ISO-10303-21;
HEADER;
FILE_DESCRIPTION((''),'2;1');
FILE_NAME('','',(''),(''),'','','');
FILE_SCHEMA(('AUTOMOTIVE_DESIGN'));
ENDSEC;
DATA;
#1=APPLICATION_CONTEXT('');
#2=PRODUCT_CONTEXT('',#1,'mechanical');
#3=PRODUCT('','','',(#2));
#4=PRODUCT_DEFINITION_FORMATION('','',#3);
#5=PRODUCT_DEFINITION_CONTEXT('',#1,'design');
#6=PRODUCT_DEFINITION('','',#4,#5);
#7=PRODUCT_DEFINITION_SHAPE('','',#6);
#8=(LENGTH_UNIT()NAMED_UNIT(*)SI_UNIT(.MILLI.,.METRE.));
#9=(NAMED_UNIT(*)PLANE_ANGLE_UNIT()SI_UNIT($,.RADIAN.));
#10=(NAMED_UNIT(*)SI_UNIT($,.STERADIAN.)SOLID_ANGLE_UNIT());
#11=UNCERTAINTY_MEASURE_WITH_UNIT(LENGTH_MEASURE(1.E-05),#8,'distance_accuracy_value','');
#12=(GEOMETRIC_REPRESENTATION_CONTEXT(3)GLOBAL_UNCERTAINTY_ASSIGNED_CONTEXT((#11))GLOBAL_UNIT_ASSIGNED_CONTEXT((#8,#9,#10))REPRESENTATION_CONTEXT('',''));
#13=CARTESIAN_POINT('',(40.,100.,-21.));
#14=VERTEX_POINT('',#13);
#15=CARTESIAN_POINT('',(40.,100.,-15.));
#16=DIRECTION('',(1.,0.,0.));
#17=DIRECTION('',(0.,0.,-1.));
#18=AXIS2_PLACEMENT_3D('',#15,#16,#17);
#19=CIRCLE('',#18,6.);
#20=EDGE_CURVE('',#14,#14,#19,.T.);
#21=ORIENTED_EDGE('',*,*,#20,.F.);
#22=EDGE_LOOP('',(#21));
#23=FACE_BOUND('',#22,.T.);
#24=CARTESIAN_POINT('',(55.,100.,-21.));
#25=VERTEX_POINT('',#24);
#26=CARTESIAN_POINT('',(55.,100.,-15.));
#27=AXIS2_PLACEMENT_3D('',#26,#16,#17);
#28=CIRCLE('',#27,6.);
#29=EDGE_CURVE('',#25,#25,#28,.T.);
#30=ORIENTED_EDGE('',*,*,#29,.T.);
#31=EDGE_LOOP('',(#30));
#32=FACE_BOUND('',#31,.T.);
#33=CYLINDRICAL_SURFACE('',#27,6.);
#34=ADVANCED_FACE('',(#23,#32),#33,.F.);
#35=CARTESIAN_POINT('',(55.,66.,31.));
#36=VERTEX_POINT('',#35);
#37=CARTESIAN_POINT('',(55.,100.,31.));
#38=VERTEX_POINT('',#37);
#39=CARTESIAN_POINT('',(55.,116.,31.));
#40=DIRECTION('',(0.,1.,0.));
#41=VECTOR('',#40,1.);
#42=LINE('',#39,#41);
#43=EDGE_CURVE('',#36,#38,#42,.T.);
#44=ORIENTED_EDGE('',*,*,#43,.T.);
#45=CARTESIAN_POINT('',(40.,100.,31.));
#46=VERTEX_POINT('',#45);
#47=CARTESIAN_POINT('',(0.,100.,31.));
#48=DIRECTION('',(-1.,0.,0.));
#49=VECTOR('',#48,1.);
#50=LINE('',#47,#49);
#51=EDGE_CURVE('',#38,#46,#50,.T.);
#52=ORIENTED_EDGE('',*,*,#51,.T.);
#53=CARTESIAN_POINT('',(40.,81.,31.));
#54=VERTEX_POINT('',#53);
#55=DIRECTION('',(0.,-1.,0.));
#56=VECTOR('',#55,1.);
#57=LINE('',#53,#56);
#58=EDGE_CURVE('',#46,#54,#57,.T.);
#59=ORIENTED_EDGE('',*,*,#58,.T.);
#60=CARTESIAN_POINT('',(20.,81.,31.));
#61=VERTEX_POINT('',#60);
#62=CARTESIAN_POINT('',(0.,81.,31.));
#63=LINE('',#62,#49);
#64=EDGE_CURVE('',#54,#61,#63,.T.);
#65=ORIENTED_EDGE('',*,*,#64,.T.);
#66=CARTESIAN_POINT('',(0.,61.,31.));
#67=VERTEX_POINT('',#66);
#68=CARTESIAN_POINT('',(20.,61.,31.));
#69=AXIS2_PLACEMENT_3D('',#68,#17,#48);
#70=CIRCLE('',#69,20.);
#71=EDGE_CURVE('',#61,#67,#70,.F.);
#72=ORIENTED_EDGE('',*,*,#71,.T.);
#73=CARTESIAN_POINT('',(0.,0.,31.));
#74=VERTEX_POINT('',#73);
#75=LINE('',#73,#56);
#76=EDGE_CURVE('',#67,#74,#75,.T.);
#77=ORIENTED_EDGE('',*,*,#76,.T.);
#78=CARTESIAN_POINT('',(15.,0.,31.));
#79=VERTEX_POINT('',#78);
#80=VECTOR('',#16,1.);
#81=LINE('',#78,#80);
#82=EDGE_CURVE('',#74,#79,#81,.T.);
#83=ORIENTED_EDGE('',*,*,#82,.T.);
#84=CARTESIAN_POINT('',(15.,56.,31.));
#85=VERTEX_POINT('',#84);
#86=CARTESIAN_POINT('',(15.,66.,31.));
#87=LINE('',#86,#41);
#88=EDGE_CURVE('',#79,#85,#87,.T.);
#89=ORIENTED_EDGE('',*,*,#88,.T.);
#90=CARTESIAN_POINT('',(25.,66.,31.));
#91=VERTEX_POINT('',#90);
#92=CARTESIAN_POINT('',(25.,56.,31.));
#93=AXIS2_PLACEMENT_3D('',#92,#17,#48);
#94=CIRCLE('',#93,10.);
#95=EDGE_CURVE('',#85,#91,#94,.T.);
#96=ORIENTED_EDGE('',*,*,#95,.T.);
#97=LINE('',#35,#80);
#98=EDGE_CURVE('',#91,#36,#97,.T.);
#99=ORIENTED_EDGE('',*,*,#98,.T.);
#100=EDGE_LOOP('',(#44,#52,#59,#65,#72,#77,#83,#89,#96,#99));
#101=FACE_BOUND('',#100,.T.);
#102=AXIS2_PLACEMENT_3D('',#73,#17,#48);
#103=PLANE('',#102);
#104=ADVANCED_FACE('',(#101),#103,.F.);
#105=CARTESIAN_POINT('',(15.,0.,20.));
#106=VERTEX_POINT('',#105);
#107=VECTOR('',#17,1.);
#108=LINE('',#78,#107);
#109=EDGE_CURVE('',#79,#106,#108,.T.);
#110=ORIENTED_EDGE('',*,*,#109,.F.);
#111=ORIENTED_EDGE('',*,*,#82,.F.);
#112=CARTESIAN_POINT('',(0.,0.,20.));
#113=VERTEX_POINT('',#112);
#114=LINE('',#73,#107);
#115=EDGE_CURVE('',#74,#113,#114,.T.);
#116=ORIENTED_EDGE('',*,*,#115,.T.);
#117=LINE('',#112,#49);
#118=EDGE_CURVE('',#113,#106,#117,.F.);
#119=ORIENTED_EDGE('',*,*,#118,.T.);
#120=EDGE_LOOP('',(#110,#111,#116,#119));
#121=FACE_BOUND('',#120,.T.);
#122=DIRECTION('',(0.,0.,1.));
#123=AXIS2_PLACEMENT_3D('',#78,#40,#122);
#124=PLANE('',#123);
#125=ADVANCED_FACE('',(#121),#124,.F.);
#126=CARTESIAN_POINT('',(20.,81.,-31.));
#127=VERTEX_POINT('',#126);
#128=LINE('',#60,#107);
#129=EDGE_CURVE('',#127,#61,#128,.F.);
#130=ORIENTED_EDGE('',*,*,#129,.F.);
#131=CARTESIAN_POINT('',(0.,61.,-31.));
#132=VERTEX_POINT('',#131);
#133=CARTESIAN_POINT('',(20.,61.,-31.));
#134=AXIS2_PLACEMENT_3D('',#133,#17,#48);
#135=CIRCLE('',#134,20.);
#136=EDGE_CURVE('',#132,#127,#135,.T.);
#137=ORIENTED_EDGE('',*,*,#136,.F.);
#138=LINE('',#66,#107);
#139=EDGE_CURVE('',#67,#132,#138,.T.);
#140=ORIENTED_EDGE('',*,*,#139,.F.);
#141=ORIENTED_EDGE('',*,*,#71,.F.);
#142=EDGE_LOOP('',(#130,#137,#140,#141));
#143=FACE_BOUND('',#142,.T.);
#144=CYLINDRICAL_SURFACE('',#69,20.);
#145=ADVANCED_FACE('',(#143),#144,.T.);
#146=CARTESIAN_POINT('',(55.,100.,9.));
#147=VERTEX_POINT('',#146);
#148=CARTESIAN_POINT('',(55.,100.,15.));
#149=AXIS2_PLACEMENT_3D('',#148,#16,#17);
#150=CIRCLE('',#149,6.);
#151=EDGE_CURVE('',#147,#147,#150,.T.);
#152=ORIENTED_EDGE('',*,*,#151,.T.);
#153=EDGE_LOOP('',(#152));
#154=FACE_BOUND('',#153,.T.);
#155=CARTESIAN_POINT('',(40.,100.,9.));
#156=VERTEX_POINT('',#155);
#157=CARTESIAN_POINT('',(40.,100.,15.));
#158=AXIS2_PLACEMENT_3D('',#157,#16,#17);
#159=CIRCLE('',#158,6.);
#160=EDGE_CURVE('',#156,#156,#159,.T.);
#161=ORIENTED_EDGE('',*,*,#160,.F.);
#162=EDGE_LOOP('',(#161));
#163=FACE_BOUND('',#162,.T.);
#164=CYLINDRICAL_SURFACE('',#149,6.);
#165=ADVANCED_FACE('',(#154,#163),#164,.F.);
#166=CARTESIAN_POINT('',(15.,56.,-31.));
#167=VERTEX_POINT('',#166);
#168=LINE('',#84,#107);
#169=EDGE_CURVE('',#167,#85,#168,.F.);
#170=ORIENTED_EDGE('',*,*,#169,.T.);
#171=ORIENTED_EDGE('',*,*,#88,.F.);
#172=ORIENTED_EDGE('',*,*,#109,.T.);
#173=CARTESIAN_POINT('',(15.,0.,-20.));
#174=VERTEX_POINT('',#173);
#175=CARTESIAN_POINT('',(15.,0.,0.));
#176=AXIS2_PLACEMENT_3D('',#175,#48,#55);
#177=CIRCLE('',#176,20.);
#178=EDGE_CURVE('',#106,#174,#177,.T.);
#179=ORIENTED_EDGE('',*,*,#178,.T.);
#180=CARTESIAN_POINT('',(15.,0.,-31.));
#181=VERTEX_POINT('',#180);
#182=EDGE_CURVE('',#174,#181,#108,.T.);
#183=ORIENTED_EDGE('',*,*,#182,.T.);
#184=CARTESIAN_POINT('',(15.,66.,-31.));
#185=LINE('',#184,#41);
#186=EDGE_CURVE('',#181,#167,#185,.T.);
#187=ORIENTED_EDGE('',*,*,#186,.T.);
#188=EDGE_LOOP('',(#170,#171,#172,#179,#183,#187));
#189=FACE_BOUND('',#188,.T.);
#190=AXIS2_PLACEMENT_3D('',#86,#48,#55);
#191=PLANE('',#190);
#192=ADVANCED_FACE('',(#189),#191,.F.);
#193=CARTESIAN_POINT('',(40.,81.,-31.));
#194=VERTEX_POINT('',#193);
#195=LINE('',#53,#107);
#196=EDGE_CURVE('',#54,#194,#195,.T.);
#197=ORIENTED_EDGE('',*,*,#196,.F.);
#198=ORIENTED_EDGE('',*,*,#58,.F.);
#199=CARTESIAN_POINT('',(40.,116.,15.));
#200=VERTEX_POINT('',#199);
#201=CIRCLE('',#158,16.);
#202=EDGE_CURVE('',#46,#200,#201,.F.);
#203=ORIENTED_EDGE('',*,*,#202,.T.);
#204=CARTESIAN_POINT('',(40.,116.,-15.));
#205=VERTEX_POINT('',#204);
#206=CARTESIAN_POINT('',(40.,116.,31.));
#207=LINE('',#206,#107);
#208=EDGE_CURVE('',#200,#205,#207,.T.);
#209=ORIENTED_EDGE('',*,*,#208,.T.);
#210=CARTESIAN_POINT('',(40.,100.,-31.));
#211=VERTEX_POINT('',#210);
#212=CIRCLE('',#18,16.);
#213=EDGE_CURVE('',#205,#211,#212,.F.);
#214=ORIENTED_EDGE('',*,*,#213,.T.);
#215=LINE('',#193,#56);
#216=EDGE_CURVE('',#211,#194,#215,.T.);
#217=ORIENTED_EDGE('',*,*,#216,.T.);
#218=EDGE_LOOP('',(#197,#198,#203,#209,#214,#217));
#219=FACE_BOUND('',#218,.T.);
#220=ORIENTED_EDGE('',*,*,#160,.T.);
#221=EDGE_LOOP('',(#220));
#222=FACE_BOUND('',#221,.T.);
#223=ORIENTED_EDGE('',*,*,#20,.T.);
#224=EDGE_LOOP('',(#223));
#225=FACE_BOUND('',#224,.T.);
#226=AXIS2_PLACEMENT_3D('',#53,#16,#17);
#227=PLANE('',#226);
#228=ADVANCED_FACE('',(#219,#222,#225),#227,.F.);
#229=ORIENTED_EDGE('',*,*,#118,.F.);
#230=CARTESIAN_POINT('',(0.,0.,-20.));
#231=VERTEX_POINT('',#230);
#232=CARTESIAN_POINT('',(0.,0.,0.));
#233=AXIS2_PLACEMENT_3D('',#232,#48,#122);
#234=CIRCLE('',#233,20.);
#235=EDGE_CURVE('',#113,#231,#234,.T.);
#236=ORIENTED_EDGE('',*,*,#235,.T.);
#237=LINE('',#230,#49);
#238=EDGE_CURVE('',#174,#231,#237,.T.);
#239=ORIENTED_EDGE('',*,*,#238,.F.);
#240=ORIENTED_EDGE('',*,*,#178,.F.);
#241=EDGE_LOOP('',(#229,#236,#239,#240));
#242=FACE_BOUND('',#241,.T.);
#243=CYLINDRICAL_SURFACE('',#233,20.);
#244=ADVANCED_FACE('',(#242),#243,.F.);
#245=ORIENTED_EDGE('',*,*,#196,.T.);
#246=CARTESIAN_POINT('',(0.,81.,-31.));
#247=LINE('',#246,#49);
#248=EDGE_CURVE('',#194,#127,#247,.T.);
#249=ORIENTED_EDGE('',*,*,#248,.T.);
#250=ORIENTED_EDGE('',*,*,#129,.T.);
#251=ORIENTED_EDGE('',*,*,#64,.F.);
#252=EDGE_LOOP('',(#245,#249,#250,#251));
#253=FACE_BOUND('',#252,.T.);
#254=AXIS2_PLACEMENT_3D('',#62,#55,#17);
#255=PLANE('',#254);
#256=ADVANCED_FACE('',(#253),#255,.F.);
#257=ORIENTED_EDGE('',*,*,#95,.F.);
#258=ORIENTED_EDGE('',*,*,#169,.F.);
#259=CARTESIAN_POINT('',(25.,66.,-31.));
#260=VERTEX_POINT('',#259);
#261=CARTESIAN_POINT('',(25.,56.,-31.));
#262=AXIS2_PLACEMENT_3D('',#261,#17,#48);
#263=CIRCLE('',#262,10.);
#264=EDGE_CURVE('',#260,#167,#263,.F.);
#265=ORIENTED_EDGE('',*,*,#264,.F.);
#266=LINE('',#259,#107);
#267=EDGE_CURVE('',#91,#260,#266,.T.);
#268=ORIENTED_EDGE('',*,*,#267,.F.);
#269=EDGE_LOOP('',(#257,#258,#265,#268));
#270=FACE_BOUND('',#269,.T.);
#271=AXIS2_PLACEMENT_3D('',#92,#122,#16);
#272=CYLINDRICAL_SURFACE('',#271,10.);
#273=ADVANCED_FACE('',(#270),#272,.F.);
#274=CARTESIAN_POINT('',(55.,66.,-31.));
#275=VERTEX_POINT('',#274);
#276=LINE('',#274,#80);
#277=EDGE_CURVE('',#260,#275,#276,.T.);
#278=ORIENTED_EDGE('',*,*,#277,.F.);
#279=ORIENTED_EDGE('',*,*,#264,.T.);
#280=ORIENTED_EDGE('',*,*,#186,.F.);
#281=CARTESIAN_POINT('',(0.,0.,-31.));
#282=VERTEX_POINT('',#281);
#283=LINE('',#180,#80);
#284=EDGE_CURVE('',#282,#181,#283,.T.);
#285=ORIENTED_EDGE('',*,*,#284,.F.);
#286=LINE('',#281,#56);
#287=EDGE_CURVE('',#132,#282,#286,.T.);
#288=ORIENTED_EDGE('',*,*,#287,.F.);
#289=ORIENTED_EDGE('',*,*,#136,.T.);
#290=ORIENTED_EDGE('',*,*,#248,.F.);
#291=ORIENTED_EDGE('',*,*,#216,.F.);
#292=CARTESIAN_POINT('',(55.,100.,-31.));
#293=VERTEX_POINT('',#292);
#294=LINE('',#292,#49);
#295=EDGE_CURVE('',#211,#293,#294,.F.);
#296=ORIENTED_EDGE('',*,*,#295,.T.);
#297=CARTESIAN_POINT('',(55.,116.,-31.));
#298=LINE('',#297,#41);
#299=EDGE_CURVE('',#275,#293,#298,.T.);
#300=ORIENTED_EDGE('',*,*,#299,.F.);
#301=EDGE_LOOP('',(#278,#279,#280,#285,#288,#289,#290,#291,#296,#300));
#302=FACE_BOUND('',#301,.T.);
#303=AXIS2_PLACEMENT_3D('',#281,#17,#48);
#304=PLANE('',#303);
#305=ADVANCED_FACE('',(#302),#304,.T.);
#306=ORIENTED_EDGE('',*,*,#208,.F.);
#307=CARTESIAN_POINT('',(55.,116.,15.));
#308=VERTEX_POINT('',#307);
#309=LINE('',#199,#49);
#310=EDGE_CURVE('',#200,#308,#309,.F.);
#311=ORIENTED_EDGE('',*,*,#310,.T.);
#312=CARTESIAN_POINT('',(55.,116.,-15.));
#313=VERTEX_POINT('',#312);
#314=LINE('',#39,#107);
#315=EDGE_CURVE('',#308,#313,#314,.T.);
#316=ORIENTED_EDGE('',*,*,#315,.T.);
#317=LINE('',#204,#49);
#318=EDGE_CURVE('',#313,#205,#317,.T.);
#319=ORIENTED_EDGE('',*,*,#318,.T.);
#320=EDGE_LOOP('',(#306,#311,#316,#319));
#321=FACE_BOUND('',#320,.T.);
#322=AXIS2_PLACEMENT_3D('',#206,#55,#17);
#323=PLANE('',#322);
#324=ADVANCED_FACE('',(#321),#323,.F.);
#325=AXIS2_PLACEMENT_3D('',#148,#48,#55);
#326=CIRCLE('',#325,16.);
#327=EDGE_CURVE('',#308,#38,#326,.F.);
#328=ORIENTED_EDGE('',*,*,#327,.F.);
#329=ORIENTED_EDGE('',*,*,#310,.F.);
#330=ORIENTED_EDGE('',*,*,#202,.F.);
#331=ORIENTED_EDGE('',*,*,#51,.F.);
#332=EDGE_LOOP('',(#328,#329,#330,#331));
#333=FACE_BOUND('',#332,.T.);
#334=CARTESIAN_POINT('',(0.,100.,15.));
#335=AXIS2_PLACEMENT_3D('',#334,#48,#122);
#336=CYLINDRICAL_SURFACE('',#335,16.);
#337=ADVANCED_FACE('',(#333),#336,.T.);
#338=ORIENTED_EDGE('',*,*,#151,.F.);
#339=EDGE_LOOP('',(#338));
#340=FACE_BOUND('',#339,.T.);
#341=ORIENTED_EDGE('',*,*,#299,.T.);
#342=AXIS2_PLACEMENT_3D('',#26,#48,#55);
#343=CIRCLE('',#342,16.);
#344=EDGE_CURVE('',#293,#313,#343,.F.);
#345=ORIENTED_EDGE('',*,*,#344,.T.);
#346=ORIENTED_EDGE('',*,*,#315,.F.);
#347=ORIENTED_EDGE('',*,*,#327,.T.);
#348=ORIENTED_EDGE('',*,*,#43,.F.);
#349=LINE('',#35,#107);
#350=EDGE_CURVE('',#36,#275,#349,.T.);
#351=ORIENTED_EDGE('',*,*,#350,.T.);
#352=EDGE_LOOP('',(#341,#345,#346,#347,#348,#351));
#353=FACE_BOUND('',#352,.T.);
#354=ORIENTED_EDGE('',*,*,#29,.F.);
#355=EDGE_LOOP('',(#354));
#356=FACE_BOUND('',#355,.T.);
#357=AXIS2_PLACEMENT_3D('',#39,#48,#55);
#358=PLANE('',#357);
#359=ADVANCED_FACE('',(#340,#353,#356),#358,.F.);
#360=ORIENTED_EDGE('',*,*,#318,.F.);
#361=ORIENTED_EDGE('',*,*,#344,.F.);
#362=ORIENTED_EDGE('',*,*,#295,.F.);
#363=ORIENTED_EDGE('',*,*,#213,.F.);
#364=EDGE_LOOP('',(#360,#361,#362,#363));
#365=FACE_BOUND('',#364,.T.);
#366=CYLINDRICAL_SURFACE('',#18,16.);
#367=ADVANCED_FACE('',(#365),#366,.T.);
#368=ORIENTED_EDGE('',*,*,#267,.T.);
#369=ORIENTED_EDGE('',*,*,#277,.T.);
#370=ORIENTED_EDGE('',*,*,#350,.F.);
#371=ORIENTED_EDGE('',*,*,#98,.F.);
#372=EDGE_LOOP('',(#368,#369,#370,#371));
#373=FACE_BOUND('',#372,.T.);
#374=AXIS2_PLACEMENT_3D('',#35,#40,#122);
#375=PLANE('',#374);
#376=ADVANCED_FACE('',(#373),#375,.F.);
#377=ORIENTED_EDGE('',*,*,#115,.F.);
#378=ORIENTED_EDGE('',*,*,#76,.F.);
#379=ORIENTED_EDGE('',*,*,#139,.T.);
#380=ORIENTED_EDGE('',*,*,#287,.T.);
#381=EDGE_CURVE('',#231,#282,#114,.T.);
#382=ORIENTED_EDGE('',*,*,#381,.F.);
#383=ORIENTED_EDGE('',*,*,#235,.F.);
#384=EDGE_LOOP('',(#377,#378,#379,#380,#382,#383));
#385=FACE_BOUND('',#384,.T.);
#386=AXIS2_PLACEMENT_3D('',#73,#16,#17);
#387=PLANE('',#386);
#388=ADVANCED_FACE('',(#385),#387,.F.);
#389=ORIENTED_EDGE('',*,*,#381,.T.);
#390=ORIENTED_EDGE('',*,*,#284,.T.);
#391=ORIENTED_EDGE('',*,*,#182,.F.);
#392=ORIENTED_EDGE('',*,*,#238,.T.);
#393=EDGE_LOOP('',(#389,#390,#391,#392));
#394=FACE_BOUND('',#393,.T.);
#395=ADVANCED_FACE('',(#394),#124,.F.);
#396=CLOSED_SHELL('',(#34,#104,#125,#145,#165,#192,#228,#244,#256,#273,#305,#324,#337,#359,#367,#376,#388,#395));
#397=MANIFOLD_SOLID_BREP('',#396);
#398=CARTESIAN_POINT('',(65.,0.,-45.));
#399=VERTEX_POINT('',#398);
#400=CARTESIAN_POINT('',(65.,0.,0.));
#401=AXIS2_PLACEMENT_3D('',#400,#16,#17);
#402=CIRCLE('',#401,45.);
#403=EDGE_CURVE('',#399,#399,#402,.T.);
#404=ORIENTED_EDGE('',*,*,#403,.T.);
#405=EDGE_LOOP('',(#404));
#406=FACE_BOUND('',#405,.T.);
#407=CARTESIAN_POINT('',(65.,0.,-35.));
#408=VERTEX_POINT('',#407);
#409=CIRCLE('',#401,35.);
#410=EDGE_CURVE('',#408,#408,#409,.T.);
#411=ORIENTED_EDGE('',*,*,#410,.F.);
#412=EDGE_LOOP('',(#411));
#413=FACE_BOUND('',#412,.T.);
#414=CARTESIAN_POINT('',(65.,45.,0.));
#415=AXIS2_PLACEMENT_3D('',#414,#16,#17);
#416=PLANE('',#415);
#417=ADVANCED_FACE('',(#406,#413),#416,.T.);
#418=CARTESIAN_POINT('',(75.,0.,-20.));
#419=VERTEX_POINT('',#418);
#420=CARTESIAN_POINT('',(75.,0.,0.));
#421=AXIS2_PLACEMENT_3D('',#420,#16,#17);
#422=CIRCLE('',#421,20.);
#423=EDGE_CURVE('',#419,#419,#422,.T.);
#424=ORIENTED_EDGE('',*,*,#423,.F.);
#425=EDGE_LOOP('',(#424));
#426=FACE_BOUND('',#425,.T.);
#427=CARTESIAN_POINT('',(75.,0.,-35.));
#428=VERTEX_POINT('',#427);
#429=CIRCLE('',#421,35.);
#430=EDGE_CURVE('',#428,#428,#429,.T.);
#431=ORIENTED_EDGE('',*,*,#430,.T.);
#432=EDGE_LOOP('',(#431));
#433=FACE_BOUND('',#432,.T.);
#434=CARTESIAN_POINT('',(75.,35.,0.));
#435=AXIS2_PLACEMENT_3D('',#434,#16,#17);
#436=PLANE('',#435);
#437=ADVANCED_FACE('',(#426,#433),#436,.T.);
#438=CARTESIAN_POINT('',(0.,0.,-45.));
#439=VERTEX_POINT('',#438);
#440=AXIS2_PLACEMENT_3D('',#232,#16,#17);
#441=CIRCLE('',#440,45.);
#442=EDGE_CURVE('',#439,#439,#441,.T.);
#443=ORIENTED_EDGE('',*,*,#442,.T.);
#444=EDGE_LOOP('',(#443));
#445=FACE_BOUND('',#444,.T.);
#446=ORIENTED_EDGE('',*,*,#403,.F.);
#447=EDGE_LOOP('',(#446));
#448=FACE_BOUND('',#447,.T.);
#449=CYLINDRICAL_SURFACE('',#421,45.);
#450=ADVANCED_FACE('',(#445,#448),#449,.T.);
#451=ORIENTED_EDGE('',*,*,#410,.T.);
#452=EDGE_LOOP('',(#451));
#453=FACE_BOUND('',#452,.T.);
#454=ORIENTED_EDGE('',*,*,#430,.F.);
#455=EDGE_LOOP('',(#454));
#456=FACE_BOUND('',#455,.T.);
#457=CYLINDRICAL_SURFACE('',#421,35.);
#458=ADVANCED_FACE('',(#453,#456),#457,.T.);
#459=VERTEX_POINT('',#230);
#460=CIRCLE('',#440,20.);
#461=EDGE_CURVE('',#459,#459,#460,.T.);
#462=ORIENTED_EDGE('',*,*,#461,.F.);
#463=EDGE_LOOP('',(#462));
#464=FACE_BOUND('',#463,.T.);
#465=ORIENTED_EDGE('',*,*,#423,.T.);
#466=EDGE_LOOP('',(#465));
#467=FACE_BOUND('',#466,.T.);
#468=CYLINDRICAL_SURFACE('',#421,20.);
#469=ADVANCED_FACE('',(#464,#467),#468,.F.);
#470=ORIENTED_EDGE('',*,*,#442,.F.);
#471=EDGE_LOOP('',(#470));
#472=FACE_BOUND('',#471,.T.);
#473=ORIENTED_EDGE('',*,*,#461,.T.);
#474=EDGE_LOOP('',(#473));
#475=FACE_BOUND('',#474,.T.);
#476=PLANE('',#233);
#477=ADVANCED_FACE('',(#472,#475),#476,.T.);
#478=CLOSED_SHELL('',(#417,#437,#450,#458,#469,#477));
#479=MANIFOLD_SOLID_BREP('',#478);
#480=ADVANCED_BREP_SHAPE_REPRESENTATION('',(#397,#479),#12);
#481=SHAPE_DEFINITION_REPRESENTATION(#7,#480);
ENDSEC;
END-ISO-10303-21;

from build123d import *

# Parameters (mm, degrees)
BOSS_EXTRUDE1_DEPTH = 31
SKETCH7_W           = 20
SKETCH7_H           = 75
SKETCH9_W           = 20
SKETCH9_H           = 75
FILLET1_R           = 10
FILLET2_R           = 20
FILLET3_R           = 16
SKETCH11_W          = 6
SKETCH11_H          = 55
HOLE4_AT_2_COUNT    = 2
HOLE4_AT_2_PITCH    = 30


with BuildPart() as part:
    # Sketch1 → Revolve1 (revolve)
    with BuildSketch(Plane.XY, mode=Mode.PRIVATE) as revolve1_sk:
        Polygon((0, 0), (0, 45), (65, 45), (65, 35), (75, 35), (75, 0), align=None)
    revolve(revolve1_sk.sketch.rotate(Axis((75, 0, 0), (-1, 0, 0)), 90), axis=Axis((75, 0, 0), (-1, 0, 0)))

    # Sketch9 → Hole3 (revolve, cut)
    with BuildSketch(Plane(origin=(75, 0, 0), x_dir=(0, 0, -1), z_dir=(0, 1, 0))):
        with Locations((10, 37.5)):
            Rectangle(SKETCH9_W, SKETCH9_H)
    revolve(axis=Axis((-35, 0, 0), (1, 0, 0)), mode=Mode.SUBTRACT)


with BuildPart() as body_2:
    # Sketch4 → Boss-Extrude1 (new, symmetric)
    with BuildSketch(Plane.XY):
        Polygon((0, 0), (0, 81), (40, 81), (40, 116), (55, 116), (55, 66), (15, 66), (15, 0), align=None)
    extrude(amount=BOSS_EXTRUDE1_DEPTH, both=True)

    # Sketch7 → Hole2 (revolve, cut)
    with BuildSketch(Plane.ZX):
        with Locations((10, 37.5)):
            Rectangle(SKETCH7_W, SKETCH7_H)
    revolve(axis=Axis((110, 0, 0), (-1, 0, 0)), mode=Mode.SUBTRACT)

    # Fillet1
    fillet1_edges = [body_2.edges().sort_by_distance(p)[0] for p in [
        (15, 66, 0),
    ]]
    fillet(fillet1_edges, radius=FILLET1_R)

    # Fillet2
    fillet2_edges = [body_2.edges().sort_by_distance(p)[0] for p in [
        (0, 81, 0),
    ]]
    fillet(fillet2_edges, radius=FILLET2_R)

    # Fillet3
    fillet3_edges = [body_2.edges().sort_by_distance(p)[0] for p in [
        (47.5, 116, 31),
        (47.5, 116, -31),
    ]]
    fillet(fillet3_edges, radius=FILLET3_R)

    # Sketch11 → Hole4 (revolve, cut)
    with BuildSketch(Plane(origin=(55, 100, -15), x_dir=(0, 0, -1), z_dir=(0, 1, 0))):
        with Locations((3, 27.5)):
            Rectangle(SKETCH11_W, SKETCH11_H)
    hole4 = revolve(axis=Axis((-55, 100, -15), (1, 0, 0)), mode=Mode.SUBTRACT)

    # Hole4 at 2: Hole4 ×2
    with Locations(*[(0, 0, i * HOLE4_AT_2_PITCH) for i in range(1, HOLE4_AT_2_COUNT)]):
        add(hole4, mode=Mode.SUBTRACT)


solid = Compound([part.part, body_2.part])
